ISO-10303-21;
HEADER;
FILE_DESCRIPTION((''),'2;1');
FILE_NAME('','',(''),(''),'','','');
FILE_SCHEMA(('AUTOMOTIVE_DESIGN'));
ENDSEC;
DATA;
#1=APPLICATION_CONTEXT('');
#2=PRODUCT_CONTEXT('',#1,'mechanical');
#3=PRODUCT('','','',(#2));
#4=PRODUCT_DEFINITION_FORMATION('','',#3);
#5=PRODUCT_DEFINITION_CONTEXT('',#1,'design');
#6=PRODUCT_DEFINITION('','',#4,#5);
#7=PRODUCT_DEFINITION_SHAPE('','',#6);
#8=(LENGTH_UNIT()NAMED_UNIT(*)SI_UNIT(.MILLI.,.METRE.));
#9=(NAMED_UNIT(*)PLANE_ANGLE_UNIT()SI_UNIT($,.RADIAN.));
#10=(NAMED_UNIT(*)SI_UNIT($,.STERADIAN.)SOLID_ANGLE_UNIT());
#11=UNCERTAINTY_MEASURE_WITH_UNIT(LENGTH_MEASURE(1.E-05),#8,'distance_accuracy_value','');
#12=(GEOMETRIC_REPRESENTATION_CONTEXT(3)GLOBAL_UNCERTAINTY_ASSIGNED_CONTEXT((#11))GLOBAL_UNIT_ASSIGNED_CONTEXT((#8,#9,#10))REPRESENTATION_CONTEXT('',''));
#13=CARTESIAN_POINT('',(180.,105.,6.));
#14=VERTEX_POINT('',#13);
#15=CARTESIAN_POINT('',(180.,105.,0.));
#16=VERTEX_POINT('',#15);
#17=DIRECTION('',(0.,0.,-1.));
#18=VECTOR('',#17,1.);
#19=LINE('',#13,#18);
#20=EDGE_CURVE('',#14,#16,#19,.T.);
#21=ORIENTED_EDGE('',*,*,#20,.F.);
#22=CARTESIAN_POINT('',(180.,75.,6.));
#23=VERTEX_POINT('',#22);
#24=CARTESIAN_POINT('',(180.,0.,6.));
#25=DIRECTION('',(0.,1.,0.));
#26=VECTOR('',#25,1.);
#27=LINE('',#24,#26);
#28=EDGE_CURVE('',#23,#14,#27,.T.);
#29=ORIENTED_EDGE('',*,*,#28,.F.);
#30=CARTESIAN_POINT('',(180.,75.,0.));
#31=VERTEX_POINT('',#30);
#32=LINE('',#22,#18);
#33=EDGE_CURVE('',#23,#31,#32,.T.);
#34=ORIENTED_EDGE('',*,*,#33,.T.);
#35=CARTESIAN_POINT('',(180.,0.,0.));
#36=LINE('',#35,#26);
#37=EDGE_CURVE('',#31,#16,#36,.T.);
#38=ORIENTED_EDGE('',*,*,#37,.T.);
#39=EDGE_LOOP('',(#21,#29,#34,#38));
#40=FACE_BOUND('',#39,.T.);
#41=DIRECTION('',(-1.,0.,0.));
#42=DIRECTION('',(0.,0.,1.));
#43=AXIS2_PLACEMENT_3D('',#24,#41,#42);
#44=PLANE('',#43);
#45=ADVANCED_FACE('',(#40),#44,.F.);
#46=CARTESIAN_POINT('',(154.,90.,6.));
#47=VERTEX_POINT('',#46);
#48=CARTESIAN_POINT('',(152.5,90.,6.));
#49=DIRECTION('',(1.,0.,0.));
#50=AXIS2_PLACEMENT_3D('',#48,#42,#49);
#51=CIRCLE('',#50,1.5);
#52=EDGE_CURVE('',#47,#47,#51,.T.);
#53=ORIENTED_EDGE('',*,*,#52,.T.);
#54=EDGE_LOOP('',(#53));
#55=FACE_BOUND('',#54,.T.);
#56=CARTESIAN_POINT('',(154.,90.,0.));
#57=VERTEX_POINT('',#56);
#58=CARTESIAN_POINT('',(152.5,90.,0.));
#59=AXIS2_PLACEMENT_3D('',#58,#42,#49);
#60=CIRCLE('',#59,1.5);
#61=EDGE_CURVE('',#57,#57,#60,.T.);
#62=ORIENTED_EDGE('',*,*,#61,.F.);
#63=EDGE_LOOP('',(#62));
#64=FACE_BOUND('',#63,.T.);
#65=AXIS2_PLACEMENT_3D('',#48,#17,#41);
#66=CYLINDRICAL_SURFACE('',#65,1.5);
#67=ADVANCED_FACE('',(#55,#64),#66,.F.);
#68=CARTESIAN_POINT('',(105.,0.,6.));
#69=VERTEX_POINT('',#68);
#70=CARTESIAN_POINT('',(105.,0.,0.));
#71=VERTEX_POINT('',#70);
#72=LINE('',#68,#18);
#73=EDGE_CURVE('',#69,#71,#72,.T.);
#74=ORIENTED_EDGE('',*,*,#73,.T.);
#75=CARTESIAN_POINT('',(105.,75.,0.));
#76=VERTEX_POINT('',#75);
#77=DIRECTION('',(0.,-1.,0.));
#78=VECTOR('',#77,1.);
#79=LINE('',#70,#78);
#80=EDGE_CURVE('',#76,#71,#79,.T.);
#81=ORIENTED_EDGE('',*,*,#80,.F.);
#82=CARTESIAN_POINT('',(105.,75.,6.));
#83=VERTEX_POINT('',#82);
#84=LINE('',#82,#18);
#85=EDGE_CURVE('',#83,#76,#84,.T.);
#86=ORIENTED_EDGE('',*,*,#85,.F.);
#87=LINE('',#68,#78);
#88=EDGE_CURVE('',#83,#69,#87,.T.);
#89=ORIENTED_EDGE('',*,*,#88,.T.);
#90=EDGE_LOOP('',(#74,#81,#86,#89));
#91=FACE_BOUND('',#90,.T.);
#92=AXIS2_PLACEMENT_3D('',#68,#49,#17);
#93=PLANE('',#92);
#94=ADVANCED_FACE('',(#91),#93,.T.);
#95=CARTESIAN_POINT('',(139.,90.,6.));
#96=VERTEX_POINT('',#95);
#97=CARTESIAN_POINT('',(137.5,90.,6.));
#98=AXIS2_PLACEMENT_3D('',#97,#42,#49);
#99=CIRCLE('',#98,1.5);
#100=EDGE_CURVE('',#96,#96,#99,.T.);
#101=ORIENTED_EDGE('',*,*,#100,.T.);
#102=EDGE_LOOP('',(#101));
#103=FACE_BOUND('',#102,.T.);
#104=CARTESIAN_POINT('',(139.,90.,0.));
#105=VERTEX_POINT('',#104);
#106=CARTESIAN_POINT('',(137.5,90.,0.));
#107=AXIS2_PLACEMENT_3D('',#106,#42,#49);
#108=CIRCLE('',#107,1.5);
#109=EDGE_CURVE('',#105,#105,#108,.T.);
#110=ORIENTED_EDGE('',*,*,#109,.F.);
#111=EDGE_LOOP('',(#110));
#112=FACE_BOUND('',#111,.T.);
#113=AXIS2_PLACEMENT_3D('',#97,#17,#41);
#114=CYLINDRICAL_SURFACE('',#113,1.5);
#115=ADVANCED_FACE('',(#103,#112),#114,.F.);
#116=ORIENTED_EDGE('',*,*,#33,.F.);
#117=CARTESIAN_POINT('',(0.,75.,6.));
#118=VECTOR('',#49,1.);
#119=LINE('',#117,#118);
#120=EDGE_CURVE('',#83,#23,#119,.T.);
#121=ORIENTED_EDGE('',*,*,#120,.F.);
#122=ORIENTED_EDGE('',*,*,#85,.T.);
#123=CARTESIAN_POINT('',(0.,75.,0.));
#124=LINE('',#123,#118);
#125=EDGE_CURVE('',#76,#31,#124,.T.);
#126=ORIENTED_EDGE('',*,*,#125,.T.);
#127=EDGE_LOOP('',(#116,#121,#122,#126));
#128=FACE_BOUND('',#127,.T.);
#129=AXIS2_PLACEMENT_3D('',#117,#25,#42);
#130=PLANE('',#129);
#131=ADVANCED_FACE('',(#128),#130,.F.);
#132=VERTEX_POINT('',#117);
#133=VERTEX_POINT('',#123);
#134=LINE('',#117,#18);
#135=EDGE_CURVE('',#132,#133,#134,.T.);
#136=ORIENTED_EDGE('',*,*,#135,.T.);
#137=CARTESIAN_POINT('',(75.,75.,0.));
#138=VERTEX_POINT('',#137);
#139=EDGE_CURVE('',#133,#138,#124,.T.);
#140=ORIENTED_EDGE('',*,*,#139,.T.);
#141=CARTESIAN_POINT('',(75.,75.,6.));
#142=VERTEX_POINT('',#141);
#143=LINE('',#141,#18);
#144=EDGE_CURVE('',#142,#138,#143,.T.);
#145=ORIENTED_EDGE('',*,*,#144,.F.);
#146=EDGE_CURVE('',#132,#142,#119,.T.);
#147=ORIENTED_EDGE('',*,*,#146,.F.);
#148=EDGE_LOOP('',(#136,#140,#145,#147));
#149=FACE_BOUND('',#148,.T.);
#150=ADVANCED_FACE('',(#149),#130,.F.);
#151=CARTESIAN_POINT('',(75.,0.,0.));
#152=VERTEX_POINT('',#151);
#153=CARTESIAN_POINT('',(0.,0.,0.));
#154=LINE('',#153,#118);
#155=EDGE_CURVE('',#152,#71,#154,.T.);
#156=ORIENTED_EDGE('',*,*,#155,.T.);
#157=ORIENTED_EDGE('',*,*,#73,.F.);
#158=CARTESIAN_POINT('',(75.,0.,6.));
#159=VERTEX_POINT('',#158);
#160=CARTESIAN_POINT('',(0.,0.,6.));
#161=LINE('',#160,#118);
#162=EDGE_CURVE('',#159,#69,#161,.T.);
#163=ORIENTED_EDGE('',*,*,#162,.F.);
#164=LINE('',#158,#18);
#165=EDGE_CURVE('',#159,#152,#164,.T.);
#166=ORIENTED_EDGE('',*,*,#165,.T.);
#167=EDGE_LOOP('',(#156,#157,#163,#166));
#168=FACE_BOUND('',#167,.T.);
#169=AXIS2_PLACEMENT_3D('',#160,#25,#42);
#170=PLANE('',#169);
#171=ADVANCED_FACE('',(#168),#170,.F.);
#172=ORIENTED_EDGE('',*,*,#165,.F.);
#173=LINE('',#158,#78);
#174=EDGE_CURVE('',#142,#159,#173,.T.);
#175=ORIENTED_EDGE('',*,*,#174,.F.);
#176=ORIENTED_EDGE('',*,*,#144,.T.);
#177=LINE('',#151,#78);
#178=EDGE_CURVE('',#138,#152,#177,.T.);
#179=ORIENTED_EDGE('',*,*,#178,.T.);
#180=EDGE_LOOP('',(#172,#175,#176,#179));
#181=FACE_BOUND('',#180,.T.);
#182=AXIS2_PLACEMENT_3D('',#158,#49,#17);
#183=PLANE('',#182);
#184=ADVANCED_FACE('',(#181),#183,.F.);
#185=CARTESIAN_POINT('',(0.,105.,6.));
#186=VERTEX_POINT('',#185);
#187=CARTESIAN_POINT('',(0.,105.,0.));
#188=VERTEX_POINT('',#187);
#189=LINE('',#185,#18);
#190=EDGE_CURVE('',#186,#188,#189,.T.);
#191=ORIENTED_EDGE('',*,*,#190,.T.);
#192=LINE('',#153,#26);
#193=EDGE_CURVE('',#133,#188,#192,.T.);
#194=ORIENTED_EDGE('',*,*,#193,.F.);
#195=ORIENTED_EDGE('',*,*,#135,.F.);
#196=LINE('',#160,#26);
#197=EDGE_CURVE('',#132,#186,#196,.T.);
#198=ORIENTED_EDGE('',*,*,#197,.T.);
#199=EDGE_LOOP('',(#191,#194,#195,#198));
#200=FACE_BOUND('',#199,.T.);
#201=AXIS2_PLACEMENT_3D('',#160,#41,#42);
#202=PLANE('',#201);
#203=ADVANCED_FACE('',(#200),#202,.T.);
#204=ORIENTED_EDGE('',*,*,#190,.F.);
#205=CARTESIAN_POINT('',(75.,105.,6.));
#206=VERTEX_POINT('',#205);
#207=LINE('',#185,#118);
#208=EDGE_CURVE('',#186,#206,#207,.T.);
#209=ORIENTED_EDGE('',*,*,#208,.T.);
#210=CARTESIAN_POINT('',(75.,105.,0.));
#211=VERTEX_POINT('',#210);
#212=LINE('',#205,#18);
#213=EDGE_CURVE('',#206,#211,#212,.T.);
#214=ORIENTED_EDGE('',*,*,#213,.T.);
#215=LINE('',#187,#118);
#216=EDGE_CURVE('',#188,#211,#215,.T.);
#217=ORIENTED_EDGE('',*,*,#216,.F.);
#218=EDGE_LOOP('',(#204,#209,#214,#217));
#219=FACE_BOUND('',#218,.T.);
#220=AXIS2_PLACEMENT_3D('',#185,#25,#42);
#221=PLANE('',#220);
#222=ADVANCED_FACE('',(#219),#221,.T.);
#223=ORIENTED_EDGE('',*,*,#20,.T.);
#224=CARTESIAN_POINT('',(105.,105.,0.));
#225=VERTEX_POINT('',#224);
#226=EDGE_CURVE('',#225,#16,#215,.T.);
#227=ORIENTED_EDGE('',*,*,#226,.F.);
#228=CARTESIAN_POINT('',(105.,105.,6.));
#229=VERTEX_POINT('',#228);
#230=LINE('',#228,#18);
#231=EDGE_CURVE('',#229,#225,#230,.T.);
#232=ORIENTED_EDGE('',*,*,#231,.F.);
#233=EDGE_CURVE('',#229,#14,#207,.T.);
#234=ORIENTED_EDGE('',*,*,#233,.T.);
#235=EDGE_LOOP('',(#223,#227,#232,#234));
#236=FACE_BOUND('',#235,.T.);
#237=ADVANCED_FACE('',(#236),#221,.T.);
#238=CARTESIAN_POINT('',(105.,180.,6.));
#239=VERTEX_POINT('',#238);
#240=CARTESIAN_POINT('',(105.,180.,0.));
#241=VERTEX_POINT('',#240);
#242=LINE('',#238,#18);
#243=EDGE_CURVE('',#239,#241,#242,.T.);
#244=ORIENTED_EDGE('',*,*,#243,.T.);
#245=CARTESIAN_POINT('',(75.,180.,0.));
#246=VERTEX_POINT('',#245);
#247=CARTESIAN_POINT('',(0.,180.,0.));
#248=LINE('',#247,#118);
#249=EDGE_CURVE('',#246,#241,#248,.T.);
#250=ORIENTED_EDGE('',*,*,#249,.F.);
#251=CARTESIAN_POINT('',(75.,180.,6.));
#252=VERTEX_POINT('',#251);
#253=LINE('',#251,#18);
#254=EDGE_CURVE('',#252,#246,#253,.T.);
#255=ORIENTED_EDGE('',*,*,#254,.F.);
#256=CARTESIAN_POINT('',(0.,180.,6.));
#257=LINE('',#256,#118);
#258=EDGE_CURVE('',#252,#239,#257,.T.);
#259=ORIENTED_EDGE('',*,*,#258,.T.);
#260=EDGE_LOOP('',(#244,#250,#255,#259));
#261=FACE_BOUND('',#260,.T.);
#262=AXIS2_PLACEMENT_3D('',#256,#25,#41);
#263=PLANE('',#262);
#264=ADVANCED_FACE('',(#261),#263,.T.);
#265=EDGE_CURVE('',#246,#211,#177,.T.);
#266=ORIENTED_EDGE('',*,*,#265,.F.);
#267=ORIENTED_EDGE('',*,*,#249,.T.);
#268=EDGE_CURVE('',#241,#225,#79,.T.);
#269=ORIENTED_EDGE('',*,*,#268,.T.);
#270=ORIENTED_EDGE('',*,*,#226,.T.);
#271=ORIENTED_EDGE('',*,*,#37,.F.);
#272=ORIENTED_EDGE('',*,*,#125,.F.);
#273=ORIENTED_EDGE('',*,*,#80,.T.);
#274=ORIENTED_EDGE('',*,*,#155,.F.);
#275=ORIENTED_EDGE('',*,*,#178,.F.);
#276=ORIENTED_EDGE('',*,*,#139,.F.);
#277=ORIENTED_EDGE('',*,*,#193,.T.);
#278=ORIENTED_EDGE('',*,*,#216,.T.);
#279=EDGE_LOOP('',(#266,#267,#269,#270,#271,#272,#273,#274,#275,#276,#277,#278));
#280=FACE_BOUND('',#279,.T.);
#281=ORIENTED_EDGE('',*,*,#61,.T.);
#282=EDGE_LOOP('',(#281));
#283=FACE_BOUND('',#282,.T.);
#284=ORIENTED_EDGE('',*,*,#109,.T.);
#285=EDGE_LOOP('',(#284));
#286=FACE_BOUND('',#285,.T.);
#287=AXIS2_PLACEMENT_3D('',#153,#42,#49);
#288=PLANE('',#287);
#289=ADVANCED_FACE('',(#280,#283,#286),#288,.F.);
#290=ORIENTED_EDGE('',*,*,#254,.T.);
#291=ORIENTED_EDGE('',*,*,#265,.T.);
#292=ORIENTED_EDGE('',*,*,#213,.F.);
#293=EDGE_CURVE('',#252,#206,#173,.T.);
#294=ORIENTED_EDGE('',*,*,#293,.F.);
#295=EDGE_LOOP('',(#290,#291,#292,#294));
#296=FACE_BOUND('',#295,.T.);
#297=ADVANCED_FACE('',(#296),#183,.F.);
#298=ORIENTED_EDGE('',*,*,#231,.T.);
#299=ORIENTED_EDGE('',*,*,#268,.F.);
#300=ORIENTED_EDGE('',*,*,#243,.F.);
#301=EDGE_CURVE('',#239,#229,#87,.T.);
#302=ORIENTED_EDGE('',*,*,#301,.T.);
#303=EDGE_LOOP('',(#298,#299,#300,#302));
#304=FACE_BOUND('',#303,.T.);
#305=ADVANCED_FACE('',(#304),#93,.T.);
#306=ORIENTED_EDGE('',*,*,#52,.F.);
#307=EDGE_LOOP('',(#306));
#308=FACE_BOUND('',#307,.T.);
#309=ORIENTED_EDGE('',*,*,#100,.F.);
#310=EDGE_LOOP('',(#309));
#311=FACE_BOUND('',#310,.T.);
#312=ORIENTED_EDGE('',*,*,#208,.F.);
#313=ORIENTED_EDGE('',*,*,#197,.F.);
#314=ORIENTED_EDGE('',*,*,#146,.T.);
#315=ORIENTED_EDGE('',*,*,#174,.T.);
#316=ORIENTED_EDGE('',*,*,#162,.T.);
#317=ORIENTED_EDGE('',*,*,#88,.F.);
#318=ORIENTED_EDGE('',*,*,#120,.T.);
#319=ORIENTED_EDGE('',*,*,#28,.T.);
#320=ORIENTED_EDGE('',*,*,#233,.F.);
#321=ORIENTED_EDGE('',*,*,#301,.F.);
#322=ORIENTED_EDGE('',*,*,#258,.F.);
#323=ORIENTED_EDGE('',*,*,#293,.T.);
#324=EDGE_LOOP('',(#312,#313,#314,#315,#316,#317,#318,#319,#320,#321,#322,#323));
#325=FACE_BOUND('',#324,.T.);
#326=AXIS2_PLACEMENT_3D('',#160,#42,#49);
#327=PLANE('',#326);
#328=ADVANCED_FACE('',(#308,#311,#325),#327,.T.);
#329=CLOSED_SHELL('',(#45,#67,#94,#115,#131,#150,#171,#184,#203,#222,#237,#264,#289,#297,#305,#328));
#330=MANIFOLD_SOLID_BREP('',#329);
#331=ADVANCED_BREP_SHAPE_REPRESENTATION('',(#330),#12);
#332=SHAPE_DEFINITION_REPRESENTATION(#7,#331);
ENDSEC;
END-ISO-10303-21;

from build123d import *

# Parameters (mm, degrees)
ESBO_O1_R                = 1.5
RESSALTO_EXTRUS_O1_DEPTH = 6


with BuildPart() as part:
    # Esboço1 → Ressalto-extrusão1 (new body)
    with BuildSketch(Plane.XY):
        Polygon((105, 105), (105, 180), (75, 180), (75, 105), (0, 105), (0, 75), (75, 75), (75, 0), (105, 0), (105, 75), (180, 75), (180, 105), align=None)
        with Locations((137.5, 90)):
            Circle(ESBO_O1_R, mode=Mode.SUBTRACT)
        with Locations((152.5, 90)):
            Circle(ESBO_O1_R, mode=Mode.SUBTRACT)
    extrude(amount=RESSALTO_EXTRUS_O1_DEPTH)


solid = part.part
